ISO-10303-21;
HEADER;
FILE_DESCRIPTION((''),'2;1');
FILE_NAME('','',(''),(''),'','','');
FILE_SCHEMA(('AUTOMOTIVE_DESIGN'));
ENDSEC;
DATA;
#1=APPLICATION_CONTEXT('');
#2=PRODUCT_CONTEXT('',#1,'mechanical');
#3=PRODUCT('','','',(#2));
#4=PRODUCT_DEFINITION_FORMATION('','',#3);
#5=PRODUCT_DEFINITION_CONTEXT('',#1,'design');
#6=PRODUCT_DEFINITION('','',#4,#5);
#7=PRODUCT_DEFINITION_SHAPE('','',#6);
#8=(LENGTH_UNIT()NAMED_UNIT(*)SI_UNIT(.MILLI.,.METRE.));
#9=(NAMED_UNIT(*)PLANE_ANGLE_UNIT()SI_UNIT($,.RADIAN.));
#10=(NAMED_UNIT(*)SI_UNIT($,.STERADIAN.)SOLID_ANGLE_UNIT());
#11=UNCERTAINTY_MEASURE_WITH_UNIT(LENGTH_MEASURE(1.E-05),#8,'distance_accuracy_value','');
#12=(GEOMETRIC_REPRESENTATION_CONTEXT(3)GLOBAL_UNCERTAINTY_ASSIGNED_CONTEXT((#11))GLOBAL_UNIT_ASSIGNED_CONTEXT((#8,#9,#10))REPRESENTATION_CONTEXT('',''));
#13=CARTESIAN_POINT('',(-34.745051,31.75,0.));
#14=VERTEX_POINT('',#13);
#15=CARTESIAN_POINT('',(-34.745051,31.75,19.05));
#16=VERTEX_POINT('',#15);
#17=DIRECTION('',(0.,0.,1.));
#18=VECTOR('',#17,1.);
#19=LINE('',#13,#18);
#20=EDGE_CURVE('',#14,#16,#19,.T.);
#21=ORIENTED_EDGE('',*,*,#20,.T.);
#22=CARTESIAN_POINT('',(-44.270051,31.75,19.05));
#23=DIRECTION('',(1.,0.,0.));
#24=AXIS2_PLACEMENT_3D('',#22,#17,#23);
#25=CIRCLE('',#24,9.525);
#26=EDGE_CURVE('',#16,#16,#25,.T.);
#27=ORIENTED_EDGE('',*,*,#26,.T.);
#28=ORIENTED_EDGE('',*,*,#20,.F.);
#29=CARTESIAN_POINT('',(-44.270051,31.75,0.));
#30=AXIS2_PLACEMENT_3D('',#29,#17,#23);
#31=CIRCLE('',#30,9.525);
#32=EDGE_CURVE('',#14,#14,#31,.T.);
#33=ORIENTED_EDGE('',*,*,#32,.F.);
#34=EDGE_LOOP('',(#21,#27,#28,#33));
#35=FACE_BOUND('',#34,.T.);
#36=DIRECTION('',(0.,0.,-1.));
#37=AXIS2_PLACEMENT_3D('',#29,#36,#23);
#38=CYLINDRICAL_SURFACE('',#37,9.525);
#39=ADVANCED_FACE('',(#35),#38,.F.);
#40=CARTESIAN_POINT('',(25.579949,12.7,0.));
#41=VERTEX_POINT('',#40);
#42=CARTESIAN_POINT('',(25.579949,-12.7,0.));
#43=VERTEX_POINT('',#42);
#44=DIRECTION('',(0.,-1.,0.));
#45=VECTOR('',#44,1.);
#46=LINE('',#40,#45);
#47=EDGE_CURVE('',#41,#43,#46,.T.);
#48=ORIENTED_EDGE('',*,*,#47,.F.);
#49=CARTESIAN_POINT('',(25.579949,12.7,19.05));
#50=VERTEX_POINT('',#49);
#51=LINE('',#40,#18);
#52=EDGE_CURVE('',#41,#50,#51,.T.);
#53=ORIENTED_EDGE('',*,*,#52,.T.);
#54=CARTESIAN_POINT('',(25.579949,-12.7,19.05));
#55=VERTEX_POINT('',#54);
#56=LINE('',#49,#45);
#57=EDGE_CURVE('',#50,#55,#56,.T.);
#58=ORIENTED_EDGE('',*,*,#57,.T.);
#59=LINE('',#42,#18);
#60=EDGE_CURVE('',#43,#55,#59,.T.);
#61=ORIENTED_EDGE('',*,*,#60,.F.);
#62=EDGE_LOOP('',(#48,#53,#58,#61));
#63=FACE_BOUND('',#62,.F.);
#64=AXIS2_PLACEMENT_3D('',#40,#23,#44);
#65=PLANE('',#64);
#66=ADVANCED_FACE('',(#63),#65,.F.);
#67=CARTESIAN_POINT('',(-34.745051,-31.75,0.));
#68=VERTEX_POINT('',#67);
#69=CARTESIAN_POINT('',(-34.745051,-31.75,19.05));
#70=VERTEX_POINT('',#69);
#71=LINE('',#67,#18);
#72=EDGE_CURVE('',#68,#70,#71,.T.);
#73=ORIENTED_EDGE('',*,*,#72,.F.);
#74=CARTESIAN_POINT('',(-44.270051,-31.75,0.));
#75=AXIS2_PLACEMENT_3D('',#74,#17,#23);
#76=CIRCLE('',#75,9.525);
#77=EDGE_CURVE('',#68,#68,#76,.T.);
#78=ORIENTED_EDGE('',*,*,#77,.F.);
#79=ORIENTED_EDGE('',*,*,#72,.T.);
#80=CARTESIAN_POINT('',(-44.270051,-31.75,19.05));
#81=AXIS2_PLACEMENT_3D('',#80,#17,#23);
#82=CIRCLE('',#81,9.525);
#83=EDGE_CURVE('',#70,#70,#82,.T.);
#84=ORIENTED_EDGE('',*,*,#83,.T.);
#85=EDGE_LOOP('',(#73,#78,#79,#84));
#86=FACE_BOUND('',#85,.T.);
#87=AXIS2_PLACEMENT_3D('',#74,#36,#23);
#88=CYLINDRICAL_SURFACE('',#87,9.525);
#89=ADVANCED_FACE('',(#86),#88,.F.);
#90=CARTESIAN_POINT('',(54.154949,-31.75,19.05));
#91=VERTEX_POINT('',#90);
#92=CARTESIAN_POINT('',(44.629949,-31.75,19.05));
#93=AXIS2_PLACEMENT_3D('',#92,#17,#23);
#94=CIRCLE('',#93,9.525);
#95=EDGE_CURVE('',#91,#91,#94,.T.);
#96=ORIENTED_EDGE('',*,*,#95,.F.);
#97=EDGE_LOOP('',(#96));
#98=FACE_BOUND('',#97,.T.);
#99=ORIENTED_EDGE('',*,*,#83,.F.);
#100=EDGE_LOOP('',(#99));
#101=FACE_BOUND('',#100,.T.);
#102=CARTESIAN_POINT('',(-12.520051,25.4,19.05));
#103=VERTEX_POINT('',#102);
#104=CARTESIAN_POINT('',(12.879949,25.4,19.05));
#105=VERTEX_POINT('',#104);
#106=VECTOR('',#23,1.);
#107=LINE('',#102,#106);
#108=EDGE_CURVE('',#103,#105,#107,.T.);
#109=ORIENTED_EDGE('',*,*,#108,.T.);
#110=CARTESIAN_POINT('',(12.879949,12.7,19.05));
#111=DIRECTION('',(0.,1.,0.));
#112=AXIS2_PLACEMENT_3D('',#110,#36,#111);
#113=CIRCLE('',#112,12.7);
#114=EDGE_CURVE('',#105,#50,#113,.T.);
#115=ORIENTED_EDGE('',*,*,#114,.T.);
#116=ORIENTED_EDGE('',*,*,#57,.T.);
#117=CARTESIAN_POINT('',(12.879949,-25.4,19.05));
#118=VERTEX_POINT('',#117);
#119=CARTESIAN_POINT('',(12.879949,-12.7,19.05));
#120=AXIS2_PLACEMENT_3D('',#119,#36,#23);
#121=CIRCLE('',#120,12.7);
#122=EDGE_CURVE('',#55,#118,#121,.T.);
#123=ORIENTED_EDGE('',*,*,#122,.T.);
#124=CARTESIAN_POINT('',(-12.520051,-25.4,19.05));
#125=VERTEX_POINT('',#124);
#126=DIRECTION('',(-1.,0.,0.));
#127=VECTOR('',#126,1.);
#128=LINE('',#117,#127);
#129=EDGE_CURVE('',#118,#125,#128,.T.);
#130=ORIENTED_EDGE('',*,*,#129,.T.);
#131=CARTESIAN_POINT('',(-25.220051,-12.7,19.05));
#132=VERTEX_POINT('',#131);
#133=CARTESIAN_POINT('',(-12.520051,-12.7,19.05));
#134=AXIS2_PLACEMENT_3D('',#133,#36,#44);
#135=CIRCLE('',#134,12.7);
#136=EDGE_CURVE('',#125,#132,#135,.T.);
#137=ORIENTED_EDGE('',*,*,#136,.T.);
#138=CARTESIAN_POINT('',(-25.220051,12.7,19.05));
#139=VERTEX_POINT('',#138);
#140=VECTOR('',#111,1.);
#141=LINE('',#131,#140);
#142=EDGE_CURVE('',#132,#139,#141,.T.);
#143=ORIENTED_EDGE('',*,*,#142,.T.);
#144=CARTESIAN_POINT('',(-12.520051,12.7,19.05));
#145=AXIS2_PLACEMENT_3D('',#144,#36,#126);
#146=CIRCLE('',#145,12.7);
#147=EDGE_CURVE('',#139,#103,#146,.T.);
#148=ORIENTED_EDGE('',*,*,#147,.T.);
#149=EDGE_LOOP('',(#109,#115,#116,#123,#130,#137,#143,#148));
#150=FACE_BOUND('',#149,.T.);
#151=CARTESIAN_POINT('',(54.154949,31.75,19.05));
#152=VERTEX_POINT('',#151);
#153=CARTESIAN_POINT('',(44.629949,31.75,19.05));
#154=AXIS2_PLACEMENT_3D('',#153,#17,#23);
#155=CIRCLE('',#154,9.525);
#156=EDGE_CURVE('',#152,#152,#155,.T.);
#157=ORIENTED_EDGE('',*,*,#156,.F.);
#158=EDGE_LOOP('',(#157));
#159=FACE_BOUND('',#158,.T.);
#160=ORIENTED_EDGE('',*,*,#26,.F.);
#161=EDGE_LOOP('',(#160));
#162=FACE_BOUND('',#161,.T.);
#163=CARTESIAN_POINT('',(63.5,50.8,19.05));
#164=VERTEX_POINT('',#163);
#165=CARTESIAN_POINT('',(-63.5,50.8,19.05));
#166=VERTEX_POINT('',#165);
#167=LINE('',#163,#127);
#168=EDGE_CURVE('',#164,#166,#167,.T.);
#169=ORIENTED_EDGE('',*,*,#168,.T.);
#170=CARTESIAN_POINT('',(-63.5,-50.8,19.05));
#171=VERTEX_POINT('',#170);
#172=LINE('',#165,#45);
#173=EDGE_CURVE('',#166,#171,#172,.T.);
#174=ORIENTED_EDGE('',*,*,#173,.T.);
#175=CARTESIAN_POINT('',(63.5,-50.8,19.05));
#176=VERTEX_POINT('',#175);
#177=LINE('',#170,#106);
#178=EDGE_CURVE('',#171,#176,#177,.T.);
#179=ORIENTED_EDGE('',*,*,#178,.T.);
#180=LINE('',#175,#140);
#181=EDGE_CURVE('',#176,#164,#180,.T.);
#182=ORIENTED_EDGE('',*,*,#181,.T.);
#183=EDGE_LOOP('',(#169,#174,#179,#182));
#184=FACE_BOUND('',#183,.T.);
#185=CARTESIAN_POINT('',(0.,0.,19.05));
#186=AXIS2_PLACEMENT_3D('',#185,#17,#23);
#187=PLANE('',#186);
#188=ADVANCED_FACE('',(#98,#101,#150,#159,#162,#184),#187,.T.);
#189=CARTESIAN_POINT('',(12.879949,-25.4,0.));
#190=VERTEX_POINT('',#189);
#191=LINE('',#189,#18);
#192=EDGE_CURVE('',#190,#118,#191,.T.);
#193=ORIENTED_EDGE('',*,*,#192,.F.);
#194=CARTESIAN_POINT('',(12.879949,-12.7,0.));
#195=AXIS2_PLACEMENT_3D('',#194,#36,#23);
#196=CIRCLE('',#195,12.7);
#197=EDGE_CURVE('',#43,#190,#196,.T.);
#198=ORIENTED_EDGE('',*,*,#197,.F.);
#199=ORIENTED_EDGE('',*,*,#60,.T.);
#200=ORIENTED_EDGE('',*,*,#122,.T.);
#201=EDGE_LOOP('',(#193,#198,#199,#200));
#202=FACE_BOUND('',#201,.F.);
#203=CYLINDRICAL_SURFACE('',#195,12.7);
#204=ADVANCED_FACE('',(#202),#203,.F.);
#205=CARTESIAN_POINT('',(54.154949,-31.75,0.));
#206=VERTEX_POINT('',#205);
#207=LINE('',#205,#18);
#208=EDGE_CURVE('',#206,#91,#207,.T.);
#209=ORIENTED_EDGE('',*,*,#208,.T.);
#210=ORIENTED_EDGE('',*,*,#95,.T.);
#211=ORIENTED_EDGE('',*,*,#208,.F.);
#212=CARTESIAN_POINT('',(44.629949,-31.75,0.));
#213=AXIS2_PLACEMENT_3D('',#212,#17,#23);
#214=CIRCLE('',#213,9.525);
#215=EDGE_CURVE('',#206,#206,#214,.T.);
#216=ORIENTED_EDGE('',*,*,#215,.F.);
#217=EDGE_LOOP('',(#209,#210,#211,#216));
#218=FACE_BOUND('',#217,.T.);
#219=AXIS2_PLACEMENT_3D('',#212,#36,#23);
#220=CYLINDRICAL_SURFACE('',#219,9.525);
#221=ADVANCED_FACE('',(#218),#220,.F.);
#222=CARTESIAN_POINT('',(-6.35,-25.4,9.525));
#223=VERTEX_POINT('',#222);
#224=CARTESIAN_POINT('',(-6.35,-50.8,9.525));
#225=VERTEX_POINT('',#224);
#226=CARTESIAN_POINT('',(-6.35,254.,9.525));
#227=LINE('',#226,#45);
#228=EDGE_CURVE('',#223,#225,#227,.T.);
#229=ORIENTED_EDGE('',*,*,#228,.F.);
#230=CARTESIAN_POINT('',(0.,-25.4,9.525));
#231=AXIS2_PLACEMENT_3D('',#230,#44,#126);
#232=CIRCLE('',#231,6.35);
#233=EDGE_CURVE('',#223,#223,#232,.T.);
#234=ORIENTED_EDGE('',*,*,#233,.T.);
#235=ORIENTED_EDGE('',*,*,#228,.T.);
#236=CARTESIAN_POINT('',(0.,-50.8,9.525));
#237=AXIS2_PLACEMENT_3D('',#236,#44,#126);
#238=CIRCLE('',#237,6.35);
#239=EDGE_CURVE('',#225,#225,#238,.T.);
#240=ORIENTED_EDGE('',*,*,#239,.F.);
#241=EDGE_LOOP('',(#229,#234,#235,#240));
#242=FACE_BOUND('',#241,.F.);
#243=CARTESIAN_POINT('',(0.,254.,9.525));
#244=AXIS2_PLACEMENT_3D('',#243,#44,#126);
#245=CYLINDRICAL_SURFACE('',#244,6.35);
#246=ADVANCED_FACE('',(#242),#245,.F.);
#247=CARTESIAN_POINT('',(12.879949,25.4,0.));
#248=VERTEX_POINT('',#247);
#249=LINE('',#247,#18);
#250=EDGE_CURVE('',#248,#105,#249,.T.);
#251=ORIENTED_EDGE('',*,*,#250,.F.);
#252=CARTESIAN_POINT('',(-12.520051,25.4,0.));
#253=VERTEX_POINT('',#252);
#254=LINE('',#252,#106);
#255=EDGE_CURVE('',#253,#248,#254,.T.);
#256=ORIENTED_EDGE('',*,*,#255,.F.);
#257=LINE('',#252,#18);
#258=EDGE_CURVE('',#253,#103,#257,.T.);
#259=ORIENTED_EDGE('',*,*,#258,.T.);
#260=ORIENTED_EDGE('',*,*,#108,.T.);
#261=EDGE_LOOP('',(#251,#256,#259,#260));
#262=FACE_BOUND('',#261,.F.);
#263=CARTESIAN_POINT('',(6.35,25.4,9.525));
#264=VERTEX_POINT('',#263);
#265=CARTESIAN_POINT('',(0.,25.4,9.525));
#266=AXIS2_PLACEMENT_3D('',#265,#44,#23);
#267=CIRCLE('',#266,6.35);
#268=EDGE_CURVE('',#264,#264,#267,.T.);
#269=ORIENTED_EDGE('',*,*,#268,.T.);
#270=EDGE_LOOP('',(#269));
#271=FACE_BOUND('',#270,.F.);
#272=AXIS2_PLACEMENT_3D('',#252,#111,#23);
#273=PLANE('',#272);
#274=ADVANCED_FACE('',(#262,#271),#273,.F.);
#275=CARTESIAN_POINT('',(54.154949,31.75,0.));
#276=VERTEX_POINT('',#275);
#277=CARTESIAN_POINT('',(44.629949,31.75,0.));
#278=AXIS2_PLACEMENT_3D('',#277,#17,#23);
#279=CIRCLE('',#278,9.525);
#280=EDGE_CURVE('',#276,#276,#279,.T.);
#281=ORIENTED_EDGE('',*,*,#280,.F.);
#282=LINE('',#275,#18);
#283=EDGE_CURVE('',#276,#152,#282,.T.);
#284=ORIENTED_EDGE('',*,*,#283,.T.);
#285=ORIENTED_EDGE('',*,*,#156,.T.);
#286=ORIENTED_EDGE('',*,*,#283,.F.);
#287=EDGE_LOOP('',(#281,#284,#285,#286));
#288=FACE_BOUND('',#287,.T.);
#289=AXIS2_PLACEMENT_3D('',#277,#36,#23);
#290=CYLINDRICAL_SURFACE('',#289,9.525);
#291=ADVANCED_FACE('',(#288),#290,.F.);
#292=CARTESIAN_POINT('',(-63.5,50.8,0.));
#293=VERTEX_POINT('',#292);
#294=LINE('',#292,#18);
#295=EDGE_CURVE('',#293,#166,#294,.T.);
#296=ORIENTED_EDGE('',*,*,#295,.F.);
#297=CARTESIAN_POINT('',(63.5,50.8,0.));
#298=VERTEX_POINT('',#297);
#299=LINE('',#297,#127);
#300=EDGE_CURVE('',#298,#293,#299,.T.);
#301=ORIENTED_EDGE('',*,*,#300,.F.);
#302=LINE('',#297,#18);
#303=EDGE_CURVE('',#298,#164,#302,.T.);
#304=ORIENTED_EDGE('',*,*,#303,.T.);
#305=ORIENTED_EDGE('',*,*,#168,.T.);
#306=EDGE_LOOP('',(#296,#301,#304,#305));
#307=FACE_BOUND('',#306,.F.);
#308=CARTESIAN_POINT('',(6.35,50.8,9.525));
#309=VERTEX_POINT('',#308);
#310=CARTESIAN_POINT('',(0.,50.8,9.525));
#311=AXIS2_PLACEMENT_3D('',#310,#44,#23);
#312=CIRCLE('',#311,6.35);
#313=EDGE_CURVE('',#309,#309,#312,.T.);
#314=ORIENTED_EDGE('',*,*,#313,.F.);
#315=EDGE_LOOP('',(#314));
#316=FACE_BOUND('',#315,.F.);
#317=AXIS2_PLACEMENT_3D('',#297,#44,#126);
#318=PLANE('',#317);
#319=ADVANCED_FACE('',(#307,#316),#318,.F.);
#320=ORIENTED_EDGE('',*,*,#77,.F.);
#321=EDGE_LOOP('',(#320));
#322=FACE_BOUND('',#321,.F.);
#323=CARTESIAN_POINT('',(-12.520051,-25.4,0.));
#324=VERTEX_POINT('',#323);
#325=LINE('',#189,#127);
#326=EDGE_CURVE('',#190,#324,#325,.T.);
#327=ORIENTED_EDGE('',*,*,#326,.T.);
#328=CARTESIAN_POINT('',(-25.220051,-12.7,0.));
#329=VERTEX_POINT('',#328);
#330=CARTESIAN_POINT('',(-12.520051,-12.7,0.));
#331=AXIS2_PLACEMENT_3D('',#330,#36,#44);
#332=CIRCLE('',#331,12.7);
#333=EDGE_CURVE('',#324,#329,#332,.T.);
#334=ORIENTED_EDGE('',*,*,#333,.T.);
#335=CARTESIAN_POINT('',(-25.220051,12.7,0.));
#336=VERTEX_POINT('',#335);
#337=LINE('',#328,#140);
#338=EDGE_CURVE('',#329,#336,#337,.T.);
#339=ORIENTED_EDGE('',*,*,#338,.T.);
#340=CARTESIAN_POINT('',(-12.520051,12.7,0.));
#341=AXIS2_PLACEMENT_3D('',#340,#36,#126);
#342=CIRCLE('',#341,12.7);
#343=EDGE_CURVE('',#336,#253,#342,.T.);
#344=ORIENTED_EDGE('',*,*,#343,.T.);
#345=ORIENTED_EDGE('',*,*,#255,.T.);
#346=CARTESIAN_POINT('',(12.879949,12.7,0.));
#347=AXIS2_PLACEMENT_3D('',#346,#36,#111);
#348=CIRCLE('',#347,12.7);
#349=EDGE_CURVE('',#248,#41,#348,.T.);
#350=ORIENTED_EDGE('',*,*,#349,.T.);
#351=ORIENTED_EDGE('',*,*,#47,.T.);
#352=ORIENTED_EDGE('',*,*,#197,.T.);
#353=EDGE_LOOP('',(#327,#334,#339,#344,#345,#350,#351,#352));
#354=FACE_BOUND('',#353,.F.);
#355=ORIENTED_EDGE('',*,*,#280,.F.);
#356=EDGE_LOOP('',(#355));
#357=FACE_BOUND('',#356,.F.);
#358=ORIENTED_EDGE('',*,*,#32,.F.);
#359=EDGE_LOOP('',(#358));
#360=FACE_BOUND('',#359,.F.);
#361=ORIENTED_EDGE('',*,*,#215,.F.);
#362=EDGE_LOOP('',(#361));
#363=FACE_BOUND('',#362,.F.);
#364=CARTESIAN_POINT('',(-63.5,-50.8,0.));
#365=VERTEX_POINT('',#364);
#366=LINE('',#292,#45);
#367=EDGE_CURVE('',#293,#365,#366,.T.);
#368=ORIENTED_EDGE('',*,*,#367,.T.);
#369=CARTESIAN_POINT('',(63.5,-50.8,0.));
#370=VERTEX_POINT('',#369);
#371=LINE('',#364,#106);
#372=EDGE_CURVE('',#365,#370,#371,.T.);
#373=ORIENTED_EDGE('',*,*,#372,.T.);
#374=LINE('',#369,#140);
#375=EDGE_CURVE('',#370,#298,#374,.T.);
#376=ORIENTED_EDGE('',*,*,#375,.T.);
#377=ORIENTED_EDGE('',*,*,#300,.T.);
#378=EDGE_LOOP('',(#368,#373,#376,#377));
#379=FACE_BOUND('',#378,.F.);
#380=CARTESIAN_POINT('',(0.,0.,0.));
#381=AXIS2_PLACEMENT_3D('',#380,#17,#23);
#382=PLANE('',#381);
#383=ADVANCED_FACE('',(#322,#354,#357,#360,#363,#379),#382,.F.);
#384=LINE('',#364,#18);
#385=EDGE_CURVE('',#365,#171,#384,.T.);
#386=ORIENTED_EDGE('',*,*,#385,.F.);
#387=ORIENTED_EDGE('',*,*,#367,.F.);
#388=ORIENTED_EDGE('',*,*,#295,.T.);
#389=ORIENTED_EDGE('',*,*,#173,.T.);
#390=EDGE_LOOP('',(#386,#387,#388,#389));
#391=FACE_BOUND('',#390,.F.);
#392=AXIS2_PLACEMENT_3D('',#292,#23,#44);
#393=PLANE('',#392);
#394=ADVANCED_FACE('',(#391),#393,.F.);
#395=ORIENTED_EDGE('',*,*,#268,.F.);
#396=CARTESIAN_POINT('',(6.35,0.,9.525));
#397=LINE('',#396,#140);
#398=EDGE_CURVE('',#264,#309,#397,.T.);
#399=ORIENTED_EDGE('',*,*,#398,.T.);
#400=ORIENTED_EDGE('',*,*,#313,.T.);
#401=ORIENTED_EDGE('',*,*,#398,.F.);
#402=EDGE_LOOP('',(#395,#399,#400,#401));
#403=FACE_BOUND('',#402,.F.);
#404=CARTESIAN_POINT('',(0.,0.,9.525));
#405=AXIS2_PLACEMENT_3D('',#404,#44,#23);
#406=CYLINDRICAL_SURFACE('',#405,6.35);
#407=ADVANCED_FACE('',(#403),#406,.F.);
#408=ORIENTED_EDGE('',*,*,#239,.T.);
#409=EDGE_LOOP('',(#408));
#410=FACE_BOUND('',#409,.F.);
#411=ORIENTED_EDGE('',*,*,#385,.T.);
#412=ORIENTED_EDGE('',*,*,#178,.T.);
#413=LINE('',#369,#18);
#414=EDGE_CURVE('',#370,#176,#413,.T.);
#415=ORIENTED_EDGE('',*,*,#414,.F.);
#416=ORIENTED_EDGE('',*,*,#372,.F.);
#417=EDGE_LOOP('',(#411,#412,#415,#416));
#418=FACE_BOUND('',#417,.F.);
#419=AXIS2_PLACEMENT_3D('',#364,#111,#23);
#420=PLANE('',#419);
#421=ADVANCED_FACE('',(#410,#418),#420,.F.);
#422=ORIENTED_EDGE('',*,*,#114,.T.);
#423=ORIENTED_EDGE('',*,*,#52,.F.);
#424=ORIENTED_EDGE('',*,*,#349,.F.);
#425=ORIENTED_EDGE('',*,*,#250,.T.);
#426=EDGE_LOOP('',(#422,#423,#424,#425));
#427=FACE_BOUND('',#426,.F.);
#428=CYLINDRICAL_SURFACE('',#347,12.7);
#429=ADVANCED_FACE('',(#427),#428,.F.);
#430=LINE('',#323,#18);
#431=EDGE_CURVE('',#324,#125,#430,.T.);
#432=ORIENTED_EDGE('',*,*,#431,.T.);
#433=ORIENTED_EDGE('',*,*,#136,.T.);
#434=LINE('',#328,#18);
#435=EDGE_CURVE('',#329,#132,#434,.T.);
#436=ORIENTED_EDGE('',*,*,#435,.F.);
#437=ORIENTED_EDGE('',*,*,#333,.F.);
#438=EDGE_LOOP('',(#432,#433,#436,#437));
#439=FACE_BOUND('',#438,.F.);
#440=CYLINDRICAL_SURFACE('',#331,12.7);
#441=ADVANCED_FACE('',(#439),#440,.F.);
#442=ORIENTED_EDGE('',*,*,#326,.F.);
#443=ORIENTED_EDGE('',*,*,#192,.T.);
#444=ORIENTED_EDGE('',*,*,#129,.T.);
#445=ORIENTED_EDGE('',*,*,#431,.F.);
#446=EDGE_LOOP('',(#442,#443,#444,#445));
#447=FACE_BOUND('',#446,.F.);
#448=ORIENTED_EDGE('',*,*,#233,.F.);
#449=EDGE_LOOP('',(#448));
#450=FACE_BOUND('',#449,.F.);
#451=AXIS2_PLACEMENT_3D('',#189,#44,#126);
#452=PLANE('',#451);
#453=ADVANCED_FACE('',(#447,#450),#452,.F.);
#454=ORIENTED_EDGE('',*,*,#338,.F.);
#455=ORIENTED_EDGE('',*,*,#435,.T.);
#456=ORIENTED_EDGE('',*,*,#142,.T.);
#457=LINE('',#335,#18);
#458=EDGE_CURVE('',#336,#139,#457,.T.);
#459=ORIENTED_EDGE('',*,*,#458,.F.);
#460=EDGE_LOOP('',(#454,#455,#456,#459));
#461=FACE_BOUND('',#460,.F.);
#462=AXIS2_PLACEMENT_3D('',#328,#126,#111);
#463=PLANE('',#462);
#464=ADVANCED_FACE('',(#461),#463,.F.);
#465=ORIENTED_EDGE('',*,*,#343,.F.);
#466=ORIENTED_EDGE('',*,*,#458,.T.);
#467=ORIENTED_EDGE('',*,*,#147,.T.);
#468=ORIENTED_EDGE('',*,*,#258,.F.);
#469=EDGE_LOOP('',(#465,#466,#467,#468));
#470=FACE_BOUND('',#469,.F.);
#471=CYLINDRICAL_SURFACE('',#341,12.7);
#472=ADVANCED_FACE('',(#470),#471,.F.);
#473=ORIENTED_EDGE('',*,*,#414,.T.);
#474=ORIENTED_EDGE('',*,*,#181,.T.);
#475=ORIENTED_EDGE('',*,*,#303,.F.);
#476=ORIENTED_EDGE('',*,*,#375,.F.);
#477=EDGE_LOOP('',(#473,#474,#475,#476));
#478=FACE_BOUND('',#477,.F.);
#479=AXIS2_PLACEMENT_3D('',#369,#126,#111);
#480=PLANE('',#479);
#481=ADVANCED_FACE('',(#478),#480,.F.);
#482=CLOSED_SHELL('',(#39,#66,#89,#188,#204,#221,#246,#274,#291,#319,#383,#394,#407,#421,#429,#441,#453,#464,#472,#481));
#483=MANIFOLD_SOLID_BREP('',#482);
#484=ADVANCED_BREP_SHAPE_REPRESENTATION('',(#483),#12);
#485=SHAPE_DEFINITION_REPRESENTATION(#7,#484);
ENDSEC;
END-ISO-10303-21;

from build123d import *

# Parameters (mm, degrees)
F0_R     = 9.525
F1_DEPTH = 19.05
F3_D     = 12.7
F3_DEPTH = 101.6
F3_TIP   = 3.8154649308
F5_D     = 12.7
F5_DEPTH = 254
F5_TIP   = 3.8154649308


with BuildPart() as f1:
    # F0 (on Top) → F1 (new body)
    with BuildSketch(Plane.XY):
        Polygon((-63.5, 50.8), (-63.5, 0), (-63.5, -50.8), (0, -50.8), (63.5, -50.8), (63.5, 0), (63.5, 50.8), (0, 50.8), align=None)
        with Locations((-44.2700514078, -31.75)):
            Circle(F0_R, mode=Mode.SUBTRACT)
        with Locations((44.6299485922, -31.75)):
            Circle(F0_R, mode=Mode.SUBTRACT)
        with BuildLine():
            ThreePointArc((-25.2200514078, 12.7), (-21.5003075289, 21.6802561211), (-12.5200514078, 25.4))
            Line((-12.5200514078, 25.4), (12.8799485922, 25.4))
            ThreePointArc((12.8799485922, 25.4), (21.8602047133, 21.6802561211), (25.5799485922, 12.7))
            Line((25.5799485922, 12.7), (25.5799485922, -12.7))
            ThreePointArc((25.5799485922, -12.7), (21.8602047133, -21.6802561211), (12.8799485922, -25.4))
            Line((12.8799485922, -25.4), (-12.5200514078, -25.4))
            ThreePointArc((-12.5200514078, -25.4), (-21.5003075289, -21.6802561211), (-25.2200514078, -12.7))
            Line((-25.2200514078, -12.7), (-25.2200514078, 12.7))
        make_face(mode=Mode.SUBTRACT)
        with Locations((-44.2700514078, 31.75)):
            Circle(F0_R, mode=Mode.SUBTRACT)
        with Locations((44.6299485922, 31.75)):
            Circle(F0_R, mode=Mode.SUBTRACT)
    extrude(amount=F1_DEPTH)

    # F3 (one way)
    with BuildSketch(Plane.XZ):
        with Locations((0, 9.525)):
            Circle(F3_D / 2)
    extrude(amount=-F3_DEPTH, mode=Mode.SUBTRACT)
    with Locations(Plane.XZ):
        with Locations((0, 9.525)):
            with Locations((0, 0, -(F3_DEPTH + F3_TIP / 2))):  # 118° drill point
                Cone(0, F3_D / 2, F3_TIP, mode=Mode.SUBTRACT)

    # F5
    with Locations(Plane(origin=(0, 0, 0), x_dir=(1, 0, 0), z_dir=(0, 1, 0))):
        with Locations((0, -9.525)):
            Hole(F5_D / 2, depth=F5_DEPTH)
            with Locations((0, 0, -(F5_DEPTH + F5_TIP / 2))):  # 118° drill point
                Cone(0, F5_D / 2, F5_TIP, mode=Mode.SUBTRACT)


solid = f1.part
